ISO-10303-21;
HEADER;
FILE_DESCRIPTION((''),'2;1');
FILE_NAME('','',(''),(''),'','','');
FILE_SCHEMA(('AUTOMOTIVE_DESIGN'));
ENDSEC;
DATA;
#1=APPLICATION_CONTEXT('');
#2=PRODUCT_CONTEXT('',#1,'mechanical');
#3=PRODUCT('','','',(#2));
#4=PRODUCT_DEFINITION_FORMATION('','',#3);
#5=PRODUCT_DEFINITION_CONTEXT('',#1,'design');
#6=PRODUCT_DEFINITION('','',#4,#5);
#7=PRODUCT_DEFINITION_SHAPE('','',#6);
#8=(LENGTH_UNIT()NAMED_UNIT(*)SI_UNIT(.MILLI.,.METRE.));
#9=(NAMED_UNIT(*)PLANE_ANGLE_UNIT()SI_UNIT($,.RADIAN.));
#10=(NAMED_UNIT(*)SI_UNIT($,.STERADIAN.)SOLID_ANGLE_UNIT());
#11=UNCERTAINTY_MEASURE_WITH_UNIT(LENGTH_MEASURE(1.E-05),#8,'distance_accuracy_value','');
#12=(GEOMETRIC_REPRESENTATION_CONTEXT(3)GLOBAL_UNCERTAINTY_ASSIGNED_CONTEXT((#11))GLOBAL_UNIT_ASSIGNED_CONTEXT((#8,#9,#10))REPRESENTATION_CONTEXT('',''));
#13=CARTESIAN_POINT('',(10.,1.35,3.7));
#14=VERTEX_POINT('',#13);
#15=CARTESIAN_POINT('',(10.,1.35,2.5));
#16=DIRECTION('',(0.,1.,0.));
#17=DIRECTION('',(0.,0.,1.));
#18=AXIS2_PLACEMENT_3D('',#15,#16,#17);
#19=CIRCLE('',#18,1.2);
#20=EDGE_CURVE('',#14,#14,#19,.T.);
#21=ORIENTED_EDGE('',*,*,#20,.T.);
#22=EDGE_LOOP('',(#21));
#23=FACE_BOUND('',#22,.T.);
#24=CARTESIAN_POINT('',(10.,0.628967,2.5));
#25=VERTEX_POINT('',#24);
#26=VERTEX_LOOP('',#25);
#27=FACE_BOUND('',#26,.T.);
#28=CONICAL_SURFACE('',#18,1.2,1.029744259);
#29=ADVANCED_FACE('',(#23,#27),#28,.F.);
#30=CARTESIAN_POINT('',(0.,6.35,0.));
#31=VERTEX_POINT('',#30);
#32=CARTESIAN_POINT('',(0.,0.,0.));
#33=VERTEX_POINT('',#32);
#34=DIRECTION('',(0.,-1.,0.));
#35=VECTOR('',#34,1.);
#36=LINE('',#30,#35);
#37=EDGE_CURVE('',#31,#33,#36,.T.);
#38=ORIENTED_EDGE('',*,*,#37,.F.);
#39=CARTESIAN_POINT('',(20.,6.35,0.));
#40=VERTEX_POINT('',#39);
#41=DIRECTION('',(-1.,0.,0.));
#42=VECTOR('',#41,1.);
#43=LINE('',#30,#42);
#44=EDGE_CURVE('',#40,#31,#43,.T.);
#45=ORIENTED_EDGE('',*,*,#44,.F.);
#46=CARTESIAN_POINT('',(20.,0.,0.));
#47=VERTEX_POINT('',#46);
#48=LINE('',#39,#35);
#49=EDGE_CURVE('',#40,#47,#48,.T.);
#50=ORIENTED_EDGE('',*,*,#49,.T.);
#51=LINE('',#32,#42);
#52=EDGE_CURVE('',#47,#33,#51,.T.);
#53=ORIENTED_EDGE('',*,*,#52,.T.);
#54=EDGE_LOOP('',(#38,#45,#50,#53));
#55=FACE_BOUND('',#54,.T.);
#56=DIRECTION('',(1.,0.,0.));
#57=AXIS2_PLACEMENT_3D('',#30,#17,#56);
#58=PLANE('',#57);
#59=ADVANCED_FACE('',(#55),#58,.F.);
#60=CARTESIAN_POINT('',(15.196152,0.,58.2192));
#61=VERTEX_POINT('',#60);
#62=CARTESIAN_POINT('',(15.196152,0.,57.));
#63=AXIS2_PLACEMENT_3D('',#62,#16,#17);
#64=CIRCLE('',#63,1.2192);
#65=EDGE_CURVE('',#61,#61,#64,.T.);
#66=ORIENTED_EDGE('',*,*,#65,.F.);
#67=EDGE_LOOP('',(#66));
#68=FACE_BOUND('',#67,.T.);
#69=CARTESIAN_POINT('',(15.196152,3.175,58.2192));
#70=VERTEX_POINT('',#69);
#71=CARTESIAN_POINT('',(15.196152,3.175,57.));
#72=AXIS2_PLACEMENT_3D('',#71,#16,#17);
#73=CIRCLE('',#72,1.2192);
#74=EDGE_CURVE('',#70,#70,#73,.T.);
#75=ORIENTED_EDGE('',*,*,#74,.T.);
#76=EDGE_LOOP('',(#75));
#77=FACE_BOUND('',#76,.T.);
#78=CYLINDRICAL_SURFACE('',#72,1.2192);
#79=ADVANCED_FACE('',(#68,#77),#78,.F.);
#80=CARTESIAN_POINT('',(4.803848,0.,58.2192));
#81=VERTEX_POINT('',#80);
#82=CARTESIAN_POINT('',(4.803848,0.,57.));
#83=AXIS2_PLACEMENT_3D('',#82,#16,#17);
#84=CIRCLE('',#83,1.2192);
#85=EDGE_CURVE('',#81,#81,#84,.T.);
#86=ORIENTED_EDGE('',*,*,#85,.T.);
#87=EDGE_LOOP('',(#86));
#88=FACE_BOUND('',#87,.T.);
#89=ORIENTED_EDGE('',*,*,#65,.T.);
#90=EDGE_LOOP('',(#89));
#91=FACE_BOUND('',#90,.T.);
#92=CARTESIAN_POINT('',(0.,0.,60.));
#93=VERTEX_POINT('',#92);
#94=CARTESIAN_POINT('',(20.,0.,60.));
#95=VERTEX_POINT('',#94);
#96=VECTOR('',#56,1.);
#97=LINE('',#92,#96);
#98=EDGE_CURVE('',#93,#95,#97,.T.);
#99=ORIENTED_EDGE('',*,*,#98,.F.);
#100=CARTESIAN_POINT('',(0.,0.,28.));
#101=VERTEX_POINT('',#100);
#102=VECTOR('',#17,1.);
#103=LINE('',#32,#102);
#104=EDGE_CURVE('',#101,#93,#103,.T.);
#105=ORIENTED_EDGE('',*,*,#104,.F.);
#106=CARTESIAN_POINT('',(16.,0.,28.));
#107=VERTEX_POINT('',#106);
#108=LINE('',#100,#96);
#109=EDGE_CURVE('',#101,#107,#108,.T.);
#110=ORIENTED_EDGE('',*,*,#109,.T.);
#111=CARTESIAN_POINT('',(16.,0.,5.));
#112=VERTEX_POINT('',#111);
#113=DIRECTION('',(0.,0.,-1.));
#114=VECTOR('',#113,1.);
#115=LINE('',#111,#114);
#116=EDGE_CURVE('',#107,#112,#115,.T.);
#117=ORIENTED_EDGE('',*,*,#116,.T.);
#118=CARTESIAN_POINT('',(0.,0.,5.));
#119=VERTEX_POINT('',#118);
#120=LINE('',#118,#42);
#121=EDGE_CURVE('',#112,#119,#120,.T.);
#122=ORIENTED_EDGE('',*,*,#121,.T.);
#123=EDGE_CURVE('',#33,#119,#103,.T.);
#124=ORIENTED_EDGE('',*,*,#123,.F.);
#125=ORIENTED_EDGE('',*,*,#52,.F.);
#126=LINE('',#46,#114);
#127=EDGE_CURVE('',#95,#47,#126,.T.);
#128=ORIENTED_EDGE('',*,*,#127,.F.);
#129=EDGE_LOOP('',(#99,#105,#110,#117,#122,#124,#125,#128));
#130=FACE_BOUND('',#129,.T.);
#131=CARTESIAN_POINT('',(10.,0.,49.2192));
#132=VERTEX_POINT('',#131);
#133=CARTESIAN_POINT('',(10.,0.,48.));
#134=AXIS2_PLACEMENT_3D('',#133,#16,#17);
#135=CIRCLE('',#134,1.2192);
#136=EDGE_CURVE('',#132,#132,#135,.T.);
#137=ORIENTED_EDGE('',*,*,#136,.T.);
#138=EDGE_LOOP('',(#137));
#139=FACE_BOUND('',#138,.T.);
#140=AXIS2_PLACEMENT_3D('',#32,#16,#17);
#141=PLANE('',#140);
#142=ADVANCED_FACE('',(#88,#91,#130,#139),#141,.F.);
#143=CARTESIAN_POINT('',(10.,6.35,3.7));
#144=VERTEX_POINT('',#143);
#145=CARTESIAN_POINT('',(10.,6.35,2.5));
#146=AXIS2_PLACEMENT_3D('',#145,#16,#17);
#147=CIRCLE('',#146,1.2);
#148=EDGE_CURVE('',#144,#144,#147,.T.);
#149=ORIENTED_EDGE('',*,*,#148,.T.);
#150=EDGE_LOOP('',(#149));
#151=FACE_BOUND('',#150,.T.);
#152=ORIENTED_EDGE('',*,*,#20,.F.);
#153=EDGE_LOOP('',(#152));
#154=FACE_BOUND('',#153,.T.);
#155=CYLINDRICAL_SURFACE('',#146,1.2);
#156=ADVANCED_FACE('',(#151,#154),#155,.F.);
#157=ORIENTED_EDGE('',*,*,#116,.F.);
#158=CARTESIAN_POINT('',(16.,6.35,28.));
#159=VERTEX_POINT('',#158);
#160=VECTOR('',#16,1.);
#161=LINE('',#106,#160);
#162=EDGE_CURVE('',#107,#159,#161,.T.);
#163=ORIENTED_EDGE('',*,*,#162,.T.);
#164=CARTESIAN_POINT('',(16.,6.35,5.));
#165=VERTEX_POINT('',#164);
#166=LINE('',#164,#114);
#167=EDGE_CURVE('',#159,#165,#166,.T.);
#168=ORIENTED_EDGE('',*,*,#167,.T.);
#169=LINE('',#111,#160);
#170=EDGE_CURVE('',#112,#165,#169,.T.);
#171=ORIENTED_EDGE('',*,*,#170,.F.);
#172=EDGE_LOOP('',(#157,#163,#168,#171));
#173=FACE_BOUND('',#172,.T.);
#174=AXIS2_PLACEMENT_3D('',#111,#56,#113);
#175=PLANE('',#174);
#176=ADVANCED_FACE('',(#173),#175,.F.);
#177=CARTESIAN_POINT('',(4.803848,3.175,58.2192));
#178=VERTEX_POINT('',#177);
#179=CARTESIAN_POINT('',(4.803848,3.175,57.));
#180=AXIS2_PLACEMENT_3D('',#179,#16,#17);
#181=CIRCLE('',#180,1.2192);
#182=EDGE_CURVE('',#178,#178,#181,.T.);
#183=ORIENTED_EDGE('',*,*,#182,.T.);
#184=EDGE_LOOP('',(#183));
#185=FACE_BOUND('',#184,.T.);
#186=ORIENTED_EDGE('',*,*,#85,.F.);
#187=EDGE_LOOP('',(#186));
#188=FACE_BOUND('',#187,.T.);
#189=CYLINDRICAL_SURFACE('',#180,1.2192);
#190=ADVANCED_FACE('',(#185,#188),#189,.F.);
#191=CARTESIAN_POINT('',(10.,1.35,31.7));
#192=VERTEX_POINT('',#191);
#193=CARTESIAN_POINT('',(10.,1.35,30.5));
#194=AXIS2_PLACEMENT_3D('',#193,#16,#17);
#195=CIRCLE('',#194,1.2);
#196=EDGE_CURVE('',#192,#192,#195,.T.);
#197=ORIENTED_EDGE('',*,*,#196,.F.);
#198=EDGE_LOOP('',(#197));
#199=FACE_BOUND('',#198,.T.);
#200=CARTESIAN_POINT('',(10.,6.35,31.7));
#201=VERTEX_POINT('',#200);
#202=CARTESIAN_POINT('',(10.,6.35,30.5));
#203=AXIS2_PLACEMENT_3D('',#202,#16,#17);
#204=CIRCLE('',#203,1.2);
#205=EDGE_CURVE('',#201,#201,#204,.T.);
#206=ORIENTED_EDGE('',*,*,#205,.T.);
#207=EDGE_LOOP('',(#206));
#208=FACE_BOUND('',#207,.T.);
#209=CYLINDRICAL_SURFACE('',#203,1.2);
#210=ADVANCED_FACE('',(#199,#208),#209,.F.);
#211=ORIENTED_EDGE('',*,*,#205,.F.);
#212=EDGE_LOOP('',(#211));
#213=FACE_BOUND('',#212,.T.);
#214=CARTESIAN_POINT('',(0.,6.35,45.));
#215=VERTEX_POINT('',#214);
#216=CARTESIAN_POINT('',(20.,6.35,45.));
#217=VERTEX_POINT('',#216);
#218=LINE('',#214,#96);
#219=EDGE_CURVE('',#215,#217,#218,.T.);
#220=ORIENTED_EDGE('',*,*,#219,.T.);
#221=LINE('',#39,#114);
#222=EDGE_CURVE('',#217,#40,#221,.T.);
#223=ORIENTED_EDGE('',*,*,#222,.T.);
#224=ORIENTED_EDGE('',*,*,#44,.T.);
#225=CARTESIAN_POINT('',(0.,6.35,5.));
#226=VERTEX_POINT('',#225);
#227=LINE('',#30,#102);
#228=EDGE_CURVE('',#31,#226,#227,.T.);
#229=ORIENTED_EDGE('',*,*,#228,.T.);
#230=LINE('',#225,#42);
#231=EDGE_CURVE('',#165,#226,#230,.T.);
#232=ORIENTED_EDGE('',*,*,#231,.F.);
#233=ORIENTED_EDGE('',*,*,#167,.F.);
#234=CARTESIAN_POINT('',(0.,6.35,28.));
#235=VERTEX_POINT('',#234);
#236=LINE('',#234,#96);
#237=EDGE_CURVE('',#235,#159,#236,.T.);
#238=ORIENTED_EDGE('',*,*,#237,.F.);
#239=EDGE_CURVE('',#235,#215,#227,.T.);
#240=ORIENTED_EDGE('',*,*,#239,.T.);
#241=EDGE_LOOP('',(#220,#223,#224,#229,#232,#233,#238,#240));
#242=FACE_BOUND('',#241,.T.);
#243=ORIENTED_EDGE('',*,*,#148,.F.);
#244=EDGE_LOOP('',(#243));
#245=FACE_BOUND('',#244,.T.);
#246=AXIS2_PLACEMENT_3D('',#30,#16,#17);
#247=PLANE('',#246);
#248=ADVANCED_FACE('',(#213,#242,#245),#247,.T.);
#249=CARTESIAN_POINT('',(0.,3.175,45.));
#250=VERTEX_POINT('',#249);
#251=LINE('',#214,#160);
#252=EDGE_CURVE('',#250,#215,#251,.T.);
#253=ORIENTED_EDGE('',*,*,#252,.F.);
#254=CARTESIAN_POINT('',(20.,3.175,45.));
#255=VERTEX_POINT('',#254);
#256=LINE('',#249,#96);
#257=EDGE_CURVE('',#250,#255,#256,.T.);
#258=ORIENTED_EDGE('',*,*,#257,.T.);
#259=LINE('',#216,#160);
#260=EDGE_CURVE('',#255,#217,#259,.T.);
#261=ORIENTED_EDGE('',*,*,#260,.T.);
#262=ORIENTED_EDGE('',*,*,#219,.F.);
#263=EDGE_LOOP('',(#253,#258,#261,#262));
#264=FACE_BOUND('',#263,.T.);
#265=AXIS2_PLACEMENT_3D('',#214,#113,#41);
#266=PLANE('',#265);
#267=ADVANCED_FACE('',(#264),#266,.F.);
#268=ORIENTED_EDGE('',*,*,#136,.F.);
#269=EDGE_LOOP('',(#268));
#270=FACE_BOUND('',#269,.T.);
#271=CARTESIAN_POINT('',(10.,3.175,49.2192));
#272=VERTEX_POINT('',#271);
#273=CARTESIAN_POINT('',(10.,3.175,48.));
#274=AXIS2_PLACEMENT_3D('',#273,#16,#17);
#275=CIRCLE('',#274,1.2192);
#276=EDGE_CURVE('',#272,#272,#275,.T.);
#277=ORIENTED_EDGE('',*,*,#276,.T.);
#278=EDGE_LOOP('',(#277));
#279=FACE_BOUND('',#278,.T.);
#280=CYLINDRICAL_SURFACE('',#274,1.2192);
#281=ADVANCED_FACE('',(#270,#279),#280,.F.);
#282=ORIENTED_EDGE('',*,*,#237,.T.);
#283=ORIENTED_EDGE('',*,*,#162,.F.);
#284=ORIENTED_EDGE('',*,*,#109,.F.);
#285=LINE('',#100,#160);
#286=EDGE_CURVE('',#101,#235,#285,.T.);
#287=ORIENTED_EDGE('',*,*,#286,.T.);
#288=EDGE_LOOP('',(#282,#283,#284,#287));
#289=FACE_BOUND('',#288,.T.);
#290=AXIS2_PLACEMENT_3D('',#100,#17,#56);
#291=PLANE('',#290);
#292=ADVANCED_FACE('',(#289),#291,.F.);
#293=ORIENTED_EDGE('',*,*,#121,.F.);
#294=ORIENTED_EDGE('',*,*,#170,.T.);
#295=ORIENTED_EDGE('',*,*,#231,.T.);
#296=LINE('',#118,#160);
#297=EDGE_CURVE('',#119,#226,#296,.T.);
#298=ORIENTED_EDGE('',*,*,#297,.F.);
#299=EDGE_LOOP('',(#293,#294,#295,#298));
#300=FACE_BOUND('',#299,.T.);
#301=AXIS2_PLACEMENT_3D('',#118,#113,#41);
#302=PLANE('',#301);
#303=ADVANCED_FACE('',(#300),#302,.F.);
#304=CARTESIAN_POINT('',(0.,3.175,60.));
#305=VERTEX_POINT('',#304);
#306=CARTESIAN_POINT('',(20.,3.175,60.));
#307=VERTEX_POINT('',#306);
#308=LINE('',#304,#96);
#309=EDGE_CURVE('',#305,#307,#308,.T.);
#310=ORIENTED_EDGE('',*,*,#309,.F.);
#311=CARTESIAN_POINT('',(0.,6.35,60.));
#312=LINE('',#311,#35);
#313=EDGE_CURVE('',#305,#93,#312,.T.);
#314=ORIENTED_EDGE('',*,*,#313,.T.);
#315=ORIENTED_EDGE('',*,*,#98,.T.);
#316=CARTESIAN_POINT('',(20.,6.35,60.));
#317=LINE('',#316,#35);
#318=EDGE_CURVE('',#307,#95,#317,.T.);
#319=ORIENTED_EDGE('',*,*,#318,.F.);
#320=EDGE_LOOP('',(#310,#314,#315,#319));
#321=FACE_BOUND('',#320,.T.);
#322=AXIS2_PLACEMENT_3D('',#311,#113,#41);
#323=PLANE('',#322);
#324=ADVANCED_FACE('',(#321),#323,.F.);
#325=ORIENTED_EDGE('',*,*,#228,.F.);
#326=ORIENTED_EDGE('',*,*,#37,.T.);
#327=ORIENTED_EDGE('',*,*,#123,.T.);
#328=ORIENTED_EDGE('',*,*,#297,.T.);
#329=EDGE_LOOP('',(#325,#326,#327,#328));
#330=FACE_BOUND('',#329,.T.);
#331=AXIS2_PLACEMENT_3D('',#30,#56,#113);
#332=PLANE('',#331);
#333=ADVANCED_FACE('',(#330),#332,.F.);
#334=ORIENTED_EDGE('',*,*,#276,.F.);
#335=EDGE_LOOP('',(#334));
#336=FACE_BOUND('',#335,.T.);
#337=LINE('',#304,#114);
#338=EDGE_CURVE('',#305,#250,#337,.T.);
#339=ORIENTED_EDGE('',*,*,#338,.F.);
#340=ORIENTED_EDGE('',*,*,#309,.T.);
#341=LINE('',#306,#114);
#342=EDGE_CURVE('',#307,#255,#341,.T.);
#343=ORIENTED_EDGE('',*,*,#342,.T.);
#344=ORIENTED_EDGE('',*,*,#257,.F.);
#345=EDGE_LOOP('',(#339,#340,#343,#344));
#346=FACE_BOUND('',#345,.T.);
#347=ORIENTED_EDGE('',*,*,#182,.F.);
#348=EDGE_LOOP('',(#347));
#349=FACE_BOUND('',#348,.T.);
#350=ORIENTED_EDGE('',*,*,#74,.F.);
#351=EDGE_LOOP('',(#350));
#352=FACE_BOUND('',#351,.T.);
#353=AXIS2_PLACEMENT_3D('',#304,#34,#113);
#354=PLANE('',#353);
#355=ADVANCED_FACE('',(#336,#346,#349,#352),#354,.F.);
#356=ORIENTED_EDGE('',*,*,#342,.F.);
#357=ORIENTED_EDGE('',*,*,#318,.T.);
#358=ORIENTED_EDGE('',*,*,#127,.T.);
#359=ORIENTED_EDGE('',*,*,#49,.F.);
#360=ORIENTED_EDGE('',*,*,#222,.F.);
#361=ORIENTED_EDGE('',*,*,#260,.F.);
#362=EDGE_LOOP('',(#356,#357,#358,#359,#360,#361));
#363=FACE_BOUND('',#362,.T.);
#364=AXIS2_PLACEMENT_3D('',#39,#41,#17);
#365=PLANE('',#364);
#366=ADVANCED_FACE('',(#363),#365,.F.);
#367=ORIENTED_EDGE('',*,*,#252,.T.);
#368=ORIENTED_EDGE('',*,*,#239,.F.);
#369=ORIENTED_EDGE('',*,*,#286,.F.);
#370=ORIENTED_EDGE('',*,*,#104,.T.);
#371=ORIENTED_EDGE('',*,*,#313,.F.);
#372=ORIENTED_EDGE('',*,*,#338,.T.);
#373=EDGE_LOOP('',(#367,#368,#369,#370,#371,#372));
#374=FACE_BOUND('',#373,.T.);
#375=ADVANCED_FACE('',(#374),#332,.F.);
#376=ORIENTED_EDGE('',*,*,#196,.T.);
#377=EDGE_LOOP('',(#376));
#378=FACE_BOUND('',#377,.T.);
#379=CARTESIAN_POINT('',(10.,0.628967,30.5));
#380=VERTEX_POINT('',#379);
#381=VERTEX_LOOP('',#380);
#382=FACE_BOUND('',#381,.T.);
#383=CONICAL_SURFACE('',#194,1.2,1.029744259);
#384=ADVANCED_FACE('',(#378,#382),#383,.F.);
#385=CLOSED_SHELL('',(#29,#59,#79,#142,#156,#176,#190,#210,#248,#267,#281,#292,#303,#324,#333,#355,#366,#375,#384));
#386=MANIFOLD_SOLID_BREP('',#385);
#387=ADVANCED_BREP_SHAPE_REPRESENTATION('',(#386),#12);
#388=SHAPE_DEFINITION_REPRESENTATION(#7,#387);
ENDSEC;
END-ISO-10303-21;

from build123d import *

# Parameters (mm, degrees)
SKETCH2_W                = 20
SKETCH2_H                = 60
BOSS_EXTRUDE1_DEPTH      = 6.35
SKETCH4_W                = 16
SKETCH4_H                = 23
CUT_EXTRUDE1_DEPTH       = 64.563531211
M2_CLEARANCE_HOLE1_D     = 2.4
M2_CLEARANCE_HOLE1_DEPTH = 5
M2_CLEARANCE_HOLE1_TIP   = 0.721032743
SKETCH10_W               = 15
SKETCH10_H               = 3.175
CUT_EXTRUDE2_DEPTH       = 64.563531211
F_2_CLEARANCE_HOLE1_D    = 2.4384


with BuildPart() as part:
    # Sketch2 → Boss-Extrude1 (new body)
    with BuildSketch(Plane(origin=(0, 0, 0), x_dir=(1, 0, 0), z_dir=(0, 1, 0))):
        with Locations((10, -30)):
            Rectangle(SKETCH2_W, SKETCH2_H)
    extrude(amount=BOSS_EXTRUDE1_DEPTH)

    # Sketch4 → Cut-Extrude1 (cut, through all)
    with BuildSketch(Plane(origin=(0, 6.35, 0), x_dir=(1, 0, 0), z_dir=(0, 1, 0))):
        with Locations((8, -16.5)):
            Rectangle(SKETCH4_W, SKETCH4_H)
    extrude(amount=-CUT_EXTRUDE1_DEPTH, mode=Mode.SUBTRACT)

    # M2 Clearance Hole1
    with Locations(Plane(origin=(0, 6.35, 0), x_dir=(1, 0, 0), z_dir=(0, 1, 0))):
        with Locations((10, -30.5), (10, -2.5)):
            Hole(M2_CLEARANCE_HOLE1_D / 2, depth=M2_CLEARANCE_HOLE1_DEPTH)
            with Locations((0, 0, -(M2_CLEARANCE_HOLE1_DEPTH + M2_CLEARANCE_HOLE1_TIP / 2))):  # 118° drill point
                Cone(0, M2_CLEARANCE_HOLE1_D / 2, M2_CLEARANCE_HOLE1_TIP, mode=Mode.SUBTRACT)

    # Sketch10 → Cut-Extrude2 (cut, through all)
    with BuildSketch(Plane(origin=(20, 0, 0), x_dir=(0, 0, -1), z_dir=(1, 0, 0))):
        with Locations((-52.5, 4.7625)):
            Rectangle(SKETCH10_W, SKETCH10_H)
    extrude(amount=-CUT_EXTRUDE2_DEPTH, mode=Mode.SUBTRACT)

    # #2 Clearance Hole1 (through all)
    with Locations(Plane(origin=(0, 3.175, 0), x_dir=(1, 0, 0), z_dir=(0, 1, 0))):
        with Locations((10, -48), (4.803847577, -57), (15.196152423, -57)):
            Hole(F_2_CLEARANCE_HOLE1_D / 2)


solid = part.part
